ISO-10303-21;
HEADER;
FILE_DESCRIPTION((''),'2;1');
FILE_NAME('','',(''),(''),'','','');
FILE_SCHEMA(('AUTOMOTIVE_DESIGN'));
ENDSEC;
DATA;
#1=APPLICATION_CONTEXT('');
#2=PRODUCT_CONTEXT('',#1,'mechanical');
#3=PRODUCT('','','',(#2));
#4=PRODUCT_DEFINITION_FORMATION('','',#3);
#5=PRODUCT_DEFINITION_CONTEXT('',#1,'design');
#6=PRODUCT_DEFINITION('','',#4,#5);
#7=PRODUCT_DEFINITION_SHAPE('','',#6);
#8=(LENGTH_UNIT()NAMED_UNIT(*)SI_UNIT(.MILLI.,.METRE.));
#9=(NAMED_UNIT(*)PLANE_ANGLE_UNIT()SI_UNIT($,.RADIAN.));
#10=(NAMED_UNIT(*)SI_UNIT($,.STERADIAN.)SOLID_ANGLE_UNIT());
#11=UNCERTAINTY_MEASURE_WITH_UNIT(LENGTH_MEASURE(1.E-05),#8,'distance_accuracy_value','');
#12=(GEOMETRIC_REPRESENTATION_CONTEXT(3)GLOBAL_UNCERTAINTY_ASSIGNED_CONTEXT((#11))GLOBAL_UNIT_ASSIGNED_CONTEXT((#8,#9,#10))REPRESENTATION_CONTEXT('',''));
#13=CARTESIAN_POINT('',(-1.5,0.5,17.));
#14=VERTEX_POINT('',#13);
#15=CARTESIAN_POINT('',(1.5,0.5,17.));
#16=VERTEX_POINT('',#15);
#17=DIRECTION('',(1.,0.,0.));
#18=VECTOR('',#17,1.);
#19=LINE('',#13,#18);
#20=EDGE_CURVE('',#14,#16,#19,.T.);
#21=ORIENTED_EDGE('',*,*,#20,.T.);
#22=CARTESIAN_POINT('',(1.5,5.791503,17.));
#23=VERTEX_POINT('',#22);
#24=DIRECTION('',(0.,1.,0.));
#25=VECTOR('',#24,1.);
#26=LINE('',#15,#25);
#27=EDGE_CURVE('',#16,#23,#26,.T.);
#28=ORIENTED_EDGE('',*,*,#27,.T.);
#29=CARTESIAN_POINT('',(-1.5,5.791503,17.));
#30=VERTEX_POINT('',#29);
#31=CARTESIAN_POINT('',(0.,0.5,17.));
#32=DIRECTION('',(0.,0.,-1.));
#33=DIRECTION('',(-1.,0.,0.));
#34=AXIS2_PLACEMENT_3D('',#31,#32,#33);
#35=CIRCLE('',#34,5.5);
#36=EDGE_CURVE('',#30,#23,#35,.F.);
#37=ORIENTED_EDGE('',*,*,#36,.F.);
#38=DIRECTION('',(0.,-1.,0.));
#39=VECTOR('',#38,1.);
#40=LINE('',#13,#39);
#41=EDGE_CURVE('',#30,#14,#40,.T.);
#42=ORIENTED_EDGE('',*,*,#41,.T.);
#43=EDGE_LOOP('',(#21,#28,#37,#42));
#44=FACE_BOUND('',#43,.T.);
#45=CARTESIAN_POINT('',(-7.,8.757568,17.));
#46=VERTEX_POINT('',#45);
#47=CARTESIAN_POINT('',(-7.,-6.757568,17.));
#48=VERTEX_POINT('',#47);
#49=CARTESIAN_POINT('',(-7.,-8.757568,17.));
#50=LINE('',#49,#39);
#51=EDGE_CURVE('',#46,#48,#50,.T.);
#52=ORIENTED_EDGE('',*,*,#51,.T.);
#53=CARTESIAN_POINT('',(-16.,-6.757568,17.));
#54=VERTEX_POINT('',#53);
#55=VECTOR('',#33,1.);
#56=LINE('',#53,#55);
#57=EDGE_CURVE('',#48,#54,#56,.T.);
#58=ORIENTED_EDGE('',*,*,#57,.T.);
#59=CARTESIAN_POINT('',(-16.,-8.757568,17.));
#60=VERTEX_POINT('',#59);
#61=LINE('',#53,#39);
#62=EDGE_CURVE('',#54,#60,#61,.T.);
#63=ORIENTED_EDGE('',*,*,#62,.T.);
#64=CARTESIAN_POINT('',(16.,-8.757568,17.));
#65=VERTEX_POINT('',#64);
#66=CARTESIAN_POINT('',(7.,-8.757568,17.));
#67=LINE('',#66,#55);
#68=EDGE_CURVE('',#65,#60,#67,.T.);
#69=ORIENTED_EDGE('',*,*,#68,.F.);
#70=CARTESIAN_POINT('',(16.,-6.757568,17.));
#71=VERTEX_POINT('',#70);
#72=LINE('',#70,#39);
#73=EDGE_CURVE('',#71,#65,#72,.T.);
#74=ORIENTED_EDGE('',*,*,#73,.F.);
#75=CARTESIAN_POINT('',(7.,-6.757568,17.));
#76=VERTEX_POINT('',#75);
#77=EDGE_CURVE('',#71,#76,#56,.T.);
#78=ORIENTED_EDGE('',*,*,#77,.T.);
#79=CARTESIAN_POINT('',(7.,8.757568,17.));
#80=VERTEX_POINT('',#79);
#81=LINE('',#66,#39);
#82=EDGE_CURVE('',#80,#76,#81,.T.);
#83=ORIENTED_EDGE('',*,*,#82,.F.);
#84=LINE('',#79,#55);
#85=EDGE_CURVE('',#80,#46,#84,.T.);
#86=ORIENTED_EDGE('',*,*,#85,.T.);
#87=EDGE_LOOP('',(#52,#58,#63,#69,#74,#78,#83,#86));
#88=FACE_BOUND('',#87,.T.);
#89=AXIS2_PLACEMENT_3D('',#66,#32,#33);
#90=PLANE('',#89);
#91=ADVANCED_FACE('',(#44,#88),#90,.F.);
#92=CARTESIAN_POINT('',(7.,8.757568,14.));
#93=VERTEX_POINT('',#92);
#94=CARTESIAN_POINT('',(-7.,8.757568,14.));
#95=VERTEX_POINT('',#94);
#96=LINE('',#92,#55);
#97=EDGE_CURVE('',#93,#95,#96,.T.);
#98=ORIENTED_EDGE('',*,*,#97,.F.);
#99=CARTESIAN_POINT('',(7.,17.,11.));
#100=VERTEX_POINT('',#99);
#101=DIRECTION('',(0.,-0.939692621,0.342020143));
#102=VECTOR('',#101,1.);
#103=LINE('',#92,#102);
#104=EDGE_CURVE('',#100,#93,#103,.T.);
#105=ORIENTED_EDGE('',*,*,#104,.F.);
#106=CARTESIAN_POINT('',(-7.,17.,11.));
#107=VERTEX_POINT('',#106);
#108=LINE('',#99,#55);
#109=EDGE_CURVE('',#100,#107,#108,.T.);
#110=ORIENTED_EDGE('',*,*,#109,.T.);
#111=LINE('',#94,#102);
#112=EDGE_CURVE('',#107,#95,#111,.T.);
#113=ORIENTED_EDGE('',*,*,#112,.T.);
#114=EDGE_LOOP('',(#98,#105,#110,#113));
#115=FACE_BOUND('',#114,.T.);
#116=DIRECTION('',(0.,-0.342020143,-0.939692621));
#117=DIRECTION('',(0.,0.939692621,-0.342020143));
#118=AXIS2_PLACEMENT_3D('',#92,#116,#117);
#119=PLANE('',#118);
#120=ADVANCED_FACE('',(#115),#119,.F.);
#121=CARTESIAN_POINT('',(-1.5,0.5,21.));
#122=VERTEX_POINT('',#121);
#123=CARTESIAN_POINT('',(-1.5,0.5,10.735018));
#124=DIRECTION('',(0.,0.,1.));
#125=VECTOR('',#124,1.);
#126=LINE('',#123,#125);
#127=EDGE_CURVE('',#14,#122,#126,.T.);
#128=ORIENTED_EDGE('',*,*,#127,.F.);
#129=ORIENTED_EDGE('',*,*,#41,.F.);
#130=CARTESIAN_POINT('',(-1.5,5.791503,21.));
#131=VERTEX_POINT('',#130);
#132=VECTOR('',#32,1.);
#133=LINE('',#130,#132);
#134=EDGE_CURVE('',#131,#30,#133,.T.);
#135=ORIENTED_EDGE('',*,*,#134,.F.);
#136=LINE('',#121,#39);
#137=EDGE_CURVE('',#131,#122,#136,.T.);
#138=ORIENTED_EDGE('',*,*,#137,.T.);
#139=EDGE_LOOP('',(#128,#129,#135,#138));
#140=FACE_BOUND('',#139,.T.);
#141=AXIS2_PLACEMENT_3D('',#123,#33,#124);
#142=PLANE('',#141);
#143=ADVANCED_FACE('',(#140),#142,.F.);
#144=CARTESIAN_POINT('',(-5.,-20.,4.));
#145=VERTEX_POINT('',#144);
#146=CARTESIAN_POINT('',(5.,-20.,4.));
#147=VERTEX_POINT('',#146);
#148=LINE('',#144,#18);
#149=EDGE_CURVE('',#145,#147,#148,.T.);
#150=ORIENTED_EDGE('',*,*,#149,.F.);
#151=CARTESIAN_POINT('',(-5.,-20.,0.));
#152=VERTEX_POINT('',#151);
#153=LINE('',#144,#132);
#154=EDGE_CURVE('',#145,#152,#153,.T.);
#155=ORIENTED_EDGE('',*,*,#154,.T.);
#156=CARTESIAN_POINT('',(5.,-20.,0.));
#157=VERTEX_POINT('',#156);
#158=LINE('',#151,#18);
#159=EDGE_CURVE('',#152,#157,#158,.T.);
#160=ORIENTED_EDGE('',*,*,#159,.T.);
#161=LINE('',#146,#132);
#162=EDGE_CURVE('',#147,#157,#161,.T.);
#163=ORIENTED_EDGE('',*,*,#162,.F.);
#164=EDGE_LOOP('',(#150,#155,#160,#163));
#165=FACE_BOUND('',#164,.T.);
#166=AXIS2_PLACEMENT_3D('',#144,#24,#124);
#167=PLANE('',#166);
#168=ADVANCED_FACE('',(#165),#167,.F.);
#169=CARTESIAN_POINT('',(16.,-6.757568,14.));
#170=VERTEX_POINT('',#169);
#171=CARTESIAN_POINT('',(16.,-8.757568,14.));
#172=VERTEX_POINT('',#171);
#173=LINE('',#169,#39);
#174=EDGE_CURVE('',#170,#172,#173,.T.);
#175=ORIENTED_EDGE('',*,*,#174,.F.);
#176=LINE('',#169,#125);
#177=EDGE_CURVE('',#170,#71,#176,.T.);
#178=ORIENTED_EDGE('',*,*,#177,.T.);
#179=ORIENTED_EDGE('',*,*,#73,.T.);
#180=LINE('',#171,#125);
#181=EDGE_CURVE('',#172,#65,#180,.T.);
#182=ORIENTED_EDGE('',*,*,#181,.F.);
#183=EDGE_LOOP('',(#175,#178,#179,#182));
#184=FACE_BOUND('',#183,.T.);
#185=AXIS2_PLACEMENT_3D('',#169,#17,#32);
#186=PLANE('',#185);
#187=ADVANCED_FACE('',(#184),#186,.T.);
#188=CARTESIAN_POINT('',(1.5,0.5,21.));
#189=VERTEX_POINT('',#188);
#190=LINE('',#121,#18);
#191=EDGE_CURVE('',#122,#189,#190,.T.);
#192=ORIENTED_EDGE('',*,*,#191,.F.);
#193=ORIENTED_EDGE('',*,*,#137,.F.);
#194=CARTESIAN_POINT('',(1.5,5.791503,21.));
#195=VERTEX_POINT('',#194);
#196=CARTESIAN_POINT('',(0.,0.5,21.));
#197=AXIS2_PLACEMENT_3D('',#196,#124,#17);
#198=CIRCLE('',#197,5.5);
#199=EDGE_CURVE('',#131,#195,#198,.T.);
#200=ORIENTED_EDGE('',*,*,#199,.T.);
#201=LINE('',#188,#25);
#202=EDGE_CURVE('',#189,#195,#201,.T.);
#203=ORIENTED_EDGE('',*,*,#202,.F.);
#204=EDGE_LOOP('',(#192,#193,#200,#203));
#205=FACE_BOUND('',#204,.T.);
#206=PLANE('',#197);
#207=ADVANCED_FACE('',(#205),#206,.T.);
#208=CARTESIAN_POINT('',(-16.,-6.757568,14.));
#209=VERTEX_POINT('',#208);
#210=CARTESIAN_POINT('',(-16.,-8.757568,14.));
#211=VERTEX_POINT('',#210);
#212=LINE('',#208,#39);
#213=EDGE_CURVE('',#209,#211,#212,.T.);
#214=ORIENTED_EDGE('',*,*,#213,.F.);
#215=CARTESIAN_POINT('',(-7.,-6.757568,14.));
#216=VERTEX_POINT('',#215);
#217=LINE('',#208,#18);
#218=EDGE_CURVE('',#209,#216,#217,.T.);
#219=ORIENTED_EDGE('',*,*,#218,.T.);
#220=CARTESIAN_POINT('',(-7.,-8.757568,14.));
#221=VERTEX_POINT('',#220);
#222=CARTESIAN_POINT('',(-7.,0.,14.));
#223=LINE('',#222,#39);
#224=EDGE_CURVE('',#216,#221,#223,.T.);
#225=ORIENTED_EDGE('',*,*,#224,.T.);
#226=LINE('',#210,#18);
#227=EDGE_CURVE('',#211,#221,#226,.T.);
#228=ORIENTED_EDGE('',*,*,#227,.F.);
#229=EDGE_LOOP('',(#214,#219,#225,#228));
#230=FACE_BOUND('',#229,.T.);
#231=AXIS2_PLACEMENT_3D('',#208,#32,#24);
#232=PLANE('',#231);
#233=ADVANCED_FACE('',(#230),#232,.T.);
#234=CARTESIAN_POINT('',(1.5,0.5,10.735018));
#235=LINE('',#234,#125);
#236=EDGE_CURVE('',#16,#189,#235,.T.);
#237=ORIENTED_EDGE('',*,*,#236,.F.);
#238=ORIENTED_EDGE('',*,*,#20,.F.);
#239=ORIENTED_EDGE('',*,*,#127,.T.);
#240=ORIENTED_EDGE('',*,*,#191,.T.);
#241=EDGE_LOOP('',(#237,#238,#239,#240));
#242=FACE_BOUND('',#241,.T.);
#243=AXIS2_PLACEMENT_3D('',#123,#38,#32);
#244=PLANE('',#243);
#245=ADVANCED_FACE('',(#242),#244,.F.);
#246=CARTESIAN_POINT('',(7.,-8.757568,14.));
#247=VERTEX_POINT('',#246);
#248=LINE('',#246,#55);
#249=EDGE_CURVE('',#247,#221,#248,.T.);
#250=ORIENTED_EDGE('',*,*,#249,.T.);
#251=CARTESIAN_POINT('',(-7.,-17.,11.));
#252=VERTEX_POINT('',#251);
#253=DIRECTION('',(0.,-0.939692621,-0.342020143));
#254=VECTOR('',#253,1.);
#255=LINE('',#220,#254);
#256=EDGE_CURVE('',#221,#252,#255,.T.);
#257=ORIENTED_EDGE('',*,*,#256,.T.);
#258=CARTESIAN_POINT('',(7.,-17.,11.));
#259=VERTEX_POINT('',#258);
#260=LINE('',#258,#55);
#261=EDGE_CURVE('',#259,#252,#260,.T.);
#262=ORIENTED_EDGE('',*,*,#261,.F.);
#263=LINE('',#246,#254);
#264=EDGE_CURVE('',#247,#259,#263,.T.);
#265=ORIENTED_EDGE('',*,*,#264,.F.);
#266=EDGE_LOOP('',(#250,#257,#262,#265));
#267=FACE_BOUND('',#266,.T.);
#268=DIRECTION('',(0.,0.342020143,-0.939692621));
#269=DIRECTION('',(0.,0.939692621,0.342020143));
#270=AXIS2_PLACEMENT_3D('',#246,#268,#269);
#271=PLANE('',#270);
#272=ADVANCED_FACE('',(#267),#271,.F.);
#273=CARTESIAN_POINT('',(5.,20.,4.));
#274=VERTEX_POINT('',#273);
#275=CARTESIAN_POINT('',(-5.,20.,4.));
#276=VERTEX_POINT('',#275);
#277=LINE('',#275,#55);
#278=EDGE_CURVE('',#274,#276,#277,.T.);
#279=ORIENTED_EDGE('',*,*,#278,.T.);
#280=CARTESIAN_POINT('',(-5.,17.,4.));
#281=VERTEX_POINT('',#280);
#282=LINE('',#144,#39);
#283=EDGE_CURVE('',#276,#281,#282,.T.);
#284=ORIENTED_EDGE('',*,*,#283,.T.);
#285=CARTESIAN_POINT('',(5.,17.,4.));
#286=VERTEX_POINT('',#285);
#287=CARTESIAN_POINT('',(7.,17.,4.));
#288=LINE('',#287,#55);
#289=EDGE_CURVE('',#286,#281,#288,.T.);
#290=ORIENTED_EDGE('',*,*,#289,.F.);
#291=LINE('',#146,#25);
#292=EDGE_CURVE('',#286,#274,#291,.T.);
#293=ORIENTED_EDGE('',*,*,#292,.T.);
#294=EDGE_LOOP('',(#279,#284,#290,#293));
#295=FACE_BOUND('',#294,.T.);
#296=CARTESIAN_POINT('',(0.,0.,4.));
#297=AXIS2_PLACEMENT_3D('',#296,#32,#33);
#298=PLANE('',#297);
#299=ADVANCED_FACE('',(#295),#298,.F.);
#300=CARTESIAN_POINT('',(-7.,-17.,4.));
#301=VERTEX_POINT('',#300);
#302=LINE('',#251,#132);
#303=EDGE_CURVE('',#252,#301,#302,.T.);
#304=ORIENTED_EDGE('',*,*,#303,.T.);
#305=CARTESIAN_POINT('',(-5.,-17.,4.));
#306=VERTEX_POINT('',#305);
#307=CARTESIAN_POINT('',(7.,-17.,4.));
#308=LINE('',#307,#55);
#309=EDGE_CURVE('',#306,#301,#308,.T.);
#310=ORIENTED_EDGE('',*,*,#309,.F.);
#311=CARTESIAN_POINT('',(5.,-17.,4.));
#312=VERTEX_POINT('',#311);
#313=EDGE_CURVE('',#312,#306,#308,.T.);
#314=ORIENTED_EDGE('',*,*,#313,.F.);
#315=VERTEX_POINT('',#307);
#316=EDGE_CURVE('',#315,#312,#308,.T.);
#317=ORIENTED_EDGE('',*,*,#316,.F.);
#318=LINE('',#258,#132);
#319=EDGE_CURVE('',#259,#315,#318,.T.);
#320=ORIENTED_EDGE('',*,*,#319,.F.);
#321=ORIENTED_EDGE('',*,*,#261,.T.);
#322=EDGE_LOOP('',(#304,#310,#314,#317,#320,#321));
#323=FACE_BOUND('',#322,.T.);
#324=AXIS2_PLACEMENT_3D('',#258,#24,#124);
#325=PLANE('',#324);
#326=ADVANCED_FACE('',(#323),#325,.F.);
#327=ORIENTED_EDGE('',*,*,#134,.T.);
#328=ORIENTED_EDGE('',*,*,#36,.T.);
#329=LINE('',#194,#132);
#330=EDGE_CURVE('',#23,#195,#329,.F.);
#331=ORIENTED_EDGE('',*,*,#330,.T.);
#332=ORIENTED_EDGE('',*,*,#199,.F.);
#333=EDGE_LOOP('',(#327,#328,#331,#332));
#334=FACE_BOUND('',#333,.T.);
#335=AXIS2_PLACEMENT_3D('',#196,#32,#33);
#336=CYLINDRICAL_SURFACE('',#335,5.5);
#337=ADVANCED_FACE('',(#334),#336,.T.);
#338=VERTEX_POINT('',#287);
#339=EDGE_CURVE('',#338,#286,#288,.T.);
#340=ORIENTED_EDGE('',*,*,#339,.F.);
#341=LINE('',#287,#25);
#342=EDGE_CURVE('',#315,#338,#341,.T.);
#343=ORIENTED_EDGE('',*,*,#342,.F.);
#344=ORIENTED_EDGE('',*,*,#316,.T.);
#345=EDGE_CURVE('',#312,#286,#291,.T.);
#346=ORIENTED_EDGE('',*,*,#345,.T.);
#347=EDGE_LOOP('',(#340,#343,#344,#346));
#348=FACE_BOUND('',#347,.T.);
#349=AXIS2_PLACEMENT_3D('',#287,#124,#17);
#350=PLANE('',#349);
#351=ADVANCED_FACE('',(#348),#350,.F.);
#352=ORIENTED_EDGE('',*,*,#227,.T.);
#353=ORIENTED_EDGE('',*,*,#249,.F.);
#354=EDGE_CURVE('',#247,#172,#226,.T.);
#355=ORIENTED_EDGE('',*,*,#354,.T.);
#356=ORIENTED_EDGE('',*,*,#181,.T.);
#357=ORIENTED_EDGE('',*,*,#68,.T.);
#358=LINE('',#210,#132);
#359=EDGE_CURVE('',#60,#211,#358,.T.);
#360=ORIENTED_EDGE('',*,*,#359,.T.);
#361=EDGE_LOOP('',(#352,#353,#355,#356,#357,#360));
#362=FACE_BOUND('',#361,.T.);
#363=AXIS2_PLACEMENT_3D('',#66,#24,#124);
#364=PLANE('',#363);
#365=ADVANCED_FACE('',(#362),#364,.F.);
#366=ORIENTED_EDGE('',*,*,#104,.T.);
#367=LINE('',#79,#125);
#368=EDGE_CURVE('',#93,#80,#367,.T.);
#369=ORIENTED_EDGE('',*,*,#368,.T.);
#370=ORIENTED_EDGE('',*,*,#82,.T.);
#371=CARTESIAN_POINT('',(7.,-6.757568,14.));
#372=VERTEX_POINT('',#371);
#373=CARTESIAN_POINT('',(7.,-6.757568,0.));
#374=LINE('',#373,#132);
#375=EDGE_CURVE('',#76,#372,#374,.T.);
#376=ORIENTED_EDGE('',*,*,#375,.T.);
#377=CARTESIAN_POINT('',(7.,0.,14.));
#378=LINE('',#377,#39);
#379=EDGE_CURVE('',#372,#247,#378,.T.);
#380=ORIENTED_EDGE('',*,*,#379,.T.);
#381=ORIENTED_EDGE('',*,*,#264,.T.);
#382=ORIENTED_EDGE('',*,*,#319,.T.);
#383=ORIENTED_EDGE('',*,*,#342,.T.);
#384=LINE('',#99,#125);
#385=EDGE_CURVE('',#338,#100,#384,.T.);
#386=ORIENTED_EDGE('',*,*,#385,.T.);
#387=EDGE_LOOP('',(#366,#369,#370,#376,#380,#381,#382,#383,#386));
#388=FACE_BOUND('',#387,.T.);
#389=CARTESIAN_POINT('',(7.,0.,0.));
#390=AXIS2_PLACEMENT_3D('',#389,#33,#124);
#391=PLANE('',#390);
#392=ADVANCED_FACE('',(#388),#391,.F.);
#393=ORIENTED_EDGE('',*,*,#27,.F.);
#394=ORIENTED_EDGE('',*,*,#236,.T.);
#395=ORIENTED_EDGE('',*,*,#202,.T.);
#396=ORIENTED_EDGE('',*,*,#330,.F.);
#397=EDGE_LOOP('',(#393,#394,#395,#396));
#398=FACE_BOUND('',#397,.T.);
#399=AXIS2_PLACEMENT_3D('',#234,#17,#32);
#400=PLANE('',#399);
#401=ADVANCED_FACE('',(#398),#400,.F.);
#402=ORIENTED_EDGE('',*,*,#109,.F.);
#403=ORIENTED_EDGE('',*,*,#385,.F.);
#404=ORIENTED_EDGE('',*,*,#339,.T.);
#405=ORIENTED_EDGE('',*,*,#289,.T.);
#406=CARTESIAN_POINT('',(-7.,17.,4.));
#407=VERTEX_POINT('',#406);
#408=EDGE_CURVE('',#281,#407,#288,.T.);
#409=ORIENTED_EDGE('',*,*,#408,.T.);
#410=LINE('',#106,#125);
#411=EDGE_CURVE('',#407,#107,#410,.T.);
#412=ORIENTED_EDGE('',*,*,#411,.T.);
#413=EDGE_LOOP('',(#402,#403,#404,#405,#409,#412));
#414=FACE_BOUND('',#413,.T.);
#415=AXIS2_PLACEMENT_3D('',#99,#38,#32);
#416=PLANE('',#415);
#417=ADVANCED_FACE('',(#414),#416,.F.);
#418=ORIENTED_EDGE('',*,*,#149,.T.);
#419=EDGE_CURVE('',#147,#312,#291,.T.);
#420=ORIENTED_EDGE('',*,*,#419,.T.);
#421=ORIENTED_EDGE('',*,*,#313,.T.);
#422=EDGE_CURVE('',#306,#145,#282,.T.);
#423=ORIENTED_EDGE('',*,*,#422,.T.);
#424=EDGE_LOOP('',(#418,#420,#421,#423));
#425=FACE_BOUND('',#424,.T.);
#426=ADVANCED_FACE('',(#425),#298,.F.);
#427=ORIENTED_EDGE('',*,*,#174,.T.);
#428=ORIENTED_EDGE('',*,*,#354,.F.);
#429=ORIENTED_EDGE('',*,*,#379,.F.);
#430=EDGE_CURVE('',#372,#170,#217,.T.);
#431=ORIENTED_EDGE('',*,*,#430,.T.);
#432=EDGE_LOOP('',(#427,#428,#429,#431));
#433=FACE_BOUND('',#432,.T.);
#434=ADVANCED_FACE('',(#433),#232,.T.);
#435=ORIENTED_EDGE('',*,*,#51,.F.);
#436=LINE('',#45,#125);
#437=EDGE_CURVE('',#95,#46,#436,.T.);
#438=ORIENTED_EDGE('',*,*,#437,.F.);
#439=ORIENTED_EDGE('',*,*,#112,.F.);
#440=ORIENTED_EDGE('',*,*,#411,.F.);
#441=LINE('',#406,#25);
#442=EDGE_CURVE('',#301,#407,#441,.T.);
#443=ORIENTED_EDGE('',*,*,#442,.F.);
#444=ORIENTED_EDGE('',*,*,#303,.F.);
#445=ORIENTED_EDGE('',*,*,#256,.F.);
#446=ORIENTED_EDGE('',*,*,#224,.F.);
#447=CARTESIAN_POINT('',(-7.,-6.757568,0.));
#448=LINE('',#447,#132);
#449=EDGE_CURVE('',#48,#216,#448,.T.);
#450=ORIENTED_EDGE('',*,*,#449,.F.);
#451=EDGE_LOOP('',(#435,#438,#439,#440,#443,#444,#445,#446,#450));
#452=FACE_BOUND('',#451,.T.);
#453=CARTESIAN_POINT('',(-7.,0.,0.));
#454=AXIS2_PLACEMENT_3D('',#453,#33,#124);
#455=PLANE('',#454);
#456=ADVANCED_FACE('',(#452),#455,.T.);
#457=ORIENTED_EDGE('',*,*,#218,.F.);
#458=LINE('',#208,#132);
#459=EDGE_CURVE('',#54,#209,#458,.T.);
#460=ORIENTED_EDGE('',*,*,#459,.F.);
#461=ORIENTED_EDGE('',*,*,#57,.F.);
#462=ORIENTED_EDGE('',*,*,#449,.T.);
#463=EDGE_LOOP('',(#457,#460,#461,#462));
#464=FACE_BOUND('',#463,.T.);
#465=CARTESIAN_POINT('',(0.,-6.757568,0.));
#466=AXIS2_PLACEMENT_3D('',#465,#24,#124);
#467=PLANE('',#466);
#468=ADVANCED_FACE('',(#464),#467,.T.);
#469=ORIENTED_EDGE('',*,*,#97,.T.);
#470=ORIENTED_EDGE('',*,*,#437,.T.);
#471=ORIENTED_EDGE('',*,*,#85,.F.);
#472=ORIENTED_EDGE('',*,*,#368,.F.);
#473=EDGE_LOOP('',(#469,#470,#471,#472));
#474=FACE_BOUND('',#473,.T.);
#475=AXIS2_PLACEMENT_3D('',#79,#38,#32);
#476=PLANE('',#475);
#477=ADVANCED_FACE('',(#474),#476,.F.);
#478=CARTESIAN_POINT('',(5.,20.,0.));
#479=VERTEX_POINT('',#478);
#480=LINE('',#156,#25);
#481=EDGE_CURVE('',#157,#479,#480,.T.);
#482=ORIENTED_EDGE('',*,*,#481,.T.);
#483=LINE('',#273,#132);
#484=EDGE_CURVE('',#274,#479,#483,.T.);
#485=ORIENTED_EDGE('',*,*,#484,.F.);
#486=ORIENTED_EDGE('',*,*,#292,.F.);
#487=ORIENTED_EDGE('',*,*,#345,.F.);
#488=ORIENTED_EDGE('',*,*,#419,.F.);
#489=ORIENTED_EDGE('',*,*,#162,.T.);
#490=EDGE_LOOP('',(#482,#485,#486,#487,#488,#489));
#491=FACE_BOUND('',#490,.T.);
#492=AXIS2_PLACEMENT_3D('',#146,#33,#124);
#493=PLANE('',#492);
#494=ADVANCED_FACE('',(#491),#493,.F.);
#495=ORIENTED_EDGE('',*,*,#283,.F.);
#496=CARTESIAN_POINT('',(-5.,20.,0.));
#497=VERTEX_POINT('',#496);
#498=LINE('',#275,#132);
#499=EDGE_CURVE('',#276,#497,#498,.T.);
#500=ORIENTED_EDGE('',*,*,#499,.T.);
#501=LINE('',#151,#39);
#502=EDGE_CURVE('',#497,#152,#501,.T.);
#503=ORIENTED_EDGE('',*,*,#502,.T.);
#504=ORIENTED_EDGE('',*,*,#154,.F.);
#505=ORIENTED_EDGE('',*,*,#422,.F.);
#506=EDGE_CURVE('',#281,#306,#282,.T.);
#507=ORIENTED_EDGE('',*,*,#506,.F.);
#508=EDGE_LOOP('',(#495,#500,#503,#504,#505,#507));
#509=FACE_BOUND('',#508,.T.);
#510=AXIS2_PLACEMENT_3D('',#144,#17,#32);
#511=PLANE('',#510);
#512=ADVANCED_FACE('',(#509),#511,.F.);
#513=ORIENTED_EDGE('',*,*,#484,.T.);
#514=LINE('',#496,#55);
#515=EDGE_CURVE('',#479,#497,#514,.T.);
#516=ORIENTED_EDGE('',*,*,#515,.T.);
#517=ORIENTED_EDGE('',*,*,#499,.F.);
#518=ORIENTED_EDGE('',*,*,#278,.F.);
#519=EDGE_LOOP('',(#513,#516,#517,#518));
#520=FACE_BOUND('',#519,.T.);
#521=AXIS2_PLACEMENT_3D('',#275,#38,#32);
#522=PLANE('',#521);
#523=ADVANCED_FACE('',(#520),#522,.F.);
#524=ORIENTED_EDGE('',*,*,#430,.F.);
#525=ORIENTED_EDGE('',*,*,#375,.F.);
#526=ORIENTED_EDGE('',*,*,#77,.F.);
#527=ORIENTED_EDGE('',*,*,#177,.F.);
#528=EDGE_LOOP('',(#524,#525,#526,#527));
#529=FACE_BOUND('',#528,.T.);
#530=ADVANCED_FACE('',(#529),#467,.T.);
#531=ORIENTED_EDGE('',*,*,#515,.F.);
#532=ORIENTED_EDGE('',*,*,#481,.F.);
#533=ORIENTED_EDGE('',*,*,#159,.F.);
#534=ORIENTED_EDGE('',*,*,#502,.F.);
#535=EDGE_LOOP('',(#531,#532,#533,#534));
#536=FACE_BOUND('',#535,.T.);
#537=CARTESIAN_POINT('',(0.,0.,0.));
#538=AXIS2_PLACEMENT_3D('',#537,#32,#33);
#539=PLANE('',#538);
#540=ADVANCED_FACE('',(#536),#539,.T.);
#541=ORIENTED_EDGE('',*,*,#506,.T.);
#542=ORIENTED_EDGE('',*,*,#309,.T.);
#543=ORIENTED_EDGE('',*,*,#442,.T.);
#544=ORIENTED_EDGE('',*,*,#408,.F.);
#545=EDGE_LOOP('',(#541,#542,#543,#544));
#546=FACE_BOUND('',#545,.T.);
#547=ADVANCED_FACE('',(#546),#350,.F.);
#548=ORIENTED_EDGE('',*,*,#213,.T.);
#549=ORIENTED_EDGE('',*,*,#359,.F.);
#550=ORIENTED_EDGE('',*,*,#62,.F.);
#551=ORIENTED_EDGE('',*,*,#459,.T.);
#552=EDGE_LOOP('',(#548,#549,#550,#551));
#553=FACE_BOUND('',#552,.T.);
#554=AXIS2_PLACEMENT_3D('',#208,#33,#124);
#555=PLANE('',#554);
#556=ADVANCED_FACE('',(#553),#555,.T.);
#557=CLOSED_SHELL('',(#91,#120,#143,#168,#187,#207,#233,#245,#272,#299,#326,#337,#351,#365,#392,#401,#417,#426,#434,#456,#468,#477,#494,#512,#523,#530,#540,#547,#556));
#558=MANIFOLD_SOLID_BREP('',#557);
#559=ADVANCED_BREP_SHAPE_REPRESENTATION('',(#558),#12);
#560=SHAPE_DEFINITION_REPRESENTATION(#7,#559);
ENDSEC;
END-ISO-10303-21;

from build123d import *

# Parameters (mm, degrees)
SKETCH_1_W           = 10
SKETCH_1_H           = 40
EXTRUDE_1_DEPTH      = 4
EXTRUDE_2_DEPTH      = 7
EXTRUDE_2_DEPTH_BACK = 7
SKETCH_4_W           = 32
SKETCH_4_H           = 3
EXTRUDE_3_DEPTH      = 2
SKETCH_5_R           = 5.5
EXTRUDE_4_DEPTH      = 4
SKETCH_6_W           = 3
SKETCH_6_H           = 5.5
CUT_EXTRUDE_1_DEPTH  = 4


with BuildPart() as part:
    # Эскиз1 → Бобышка-Вытянуть1 (new body)
    with BuildSketch(Plane.XY):
        Rectangle(SKETCH_1_W, SKETCH_1_H)
    extrude(amount=EXTRUDE_1_DEPTH)

    # Эскиз3 → Бобышка-Вытянуть2 (add, two sides: drawn at the far end of the back side and taken through both)
    with BuildSketch(Plane(origin=(0, 0, 0), x_dir=(0, 0, -1), z_dir=(1, 0, 0)).offset(-EXTRUDE_2_DEPTH_BACK)):
        Polygon((-17, -8.757567742), (-17, 8.757567742), (-14, 8.757567742), (-11, 17), (-4, 17), (-4, -17), (-11, -17), (-14, -8.757567742), align=None)
    extrude(amount=EXTRUDE_2_DEPTH + EXTRUDE_2_DEPTH_BACK)

    # Эскиз4 → Бобышка-Вытянуть3 (add)
    with BuildSketch(Plane.XZ.offset(8.757567742)):
        with Locations((0, 15.5)):
            Rectangle(SKETCH_4_W, SKETCH_4_H)
    extrude(amount=-EXTRUDE_3_DEPTH)

    # Эскиз5 → Бобышка-Вытянуть4 (add)
    with BuildSketch(Plane.XY.offset(17)):
        with Locations(Location((0, 0.5, 0), (0, 0, 180))):
            Circle(SKETCH_5_R)
    extrude(amount=EXTRUDE_4_DEPTH)

    # Эскиз6 → Вырез-Вытянуть1 (cut)
    with BuildSketch(Plane.XY.offset(21)):
        with Locations((0, 3.25)):
            Rectangle(SKETCH_6_W, SKETCH_6_H)
    extrude(amount=-CUT_EXTRUDE_1_DEPTH, mode=Mode.SUBTRACT)


solid = part.part
